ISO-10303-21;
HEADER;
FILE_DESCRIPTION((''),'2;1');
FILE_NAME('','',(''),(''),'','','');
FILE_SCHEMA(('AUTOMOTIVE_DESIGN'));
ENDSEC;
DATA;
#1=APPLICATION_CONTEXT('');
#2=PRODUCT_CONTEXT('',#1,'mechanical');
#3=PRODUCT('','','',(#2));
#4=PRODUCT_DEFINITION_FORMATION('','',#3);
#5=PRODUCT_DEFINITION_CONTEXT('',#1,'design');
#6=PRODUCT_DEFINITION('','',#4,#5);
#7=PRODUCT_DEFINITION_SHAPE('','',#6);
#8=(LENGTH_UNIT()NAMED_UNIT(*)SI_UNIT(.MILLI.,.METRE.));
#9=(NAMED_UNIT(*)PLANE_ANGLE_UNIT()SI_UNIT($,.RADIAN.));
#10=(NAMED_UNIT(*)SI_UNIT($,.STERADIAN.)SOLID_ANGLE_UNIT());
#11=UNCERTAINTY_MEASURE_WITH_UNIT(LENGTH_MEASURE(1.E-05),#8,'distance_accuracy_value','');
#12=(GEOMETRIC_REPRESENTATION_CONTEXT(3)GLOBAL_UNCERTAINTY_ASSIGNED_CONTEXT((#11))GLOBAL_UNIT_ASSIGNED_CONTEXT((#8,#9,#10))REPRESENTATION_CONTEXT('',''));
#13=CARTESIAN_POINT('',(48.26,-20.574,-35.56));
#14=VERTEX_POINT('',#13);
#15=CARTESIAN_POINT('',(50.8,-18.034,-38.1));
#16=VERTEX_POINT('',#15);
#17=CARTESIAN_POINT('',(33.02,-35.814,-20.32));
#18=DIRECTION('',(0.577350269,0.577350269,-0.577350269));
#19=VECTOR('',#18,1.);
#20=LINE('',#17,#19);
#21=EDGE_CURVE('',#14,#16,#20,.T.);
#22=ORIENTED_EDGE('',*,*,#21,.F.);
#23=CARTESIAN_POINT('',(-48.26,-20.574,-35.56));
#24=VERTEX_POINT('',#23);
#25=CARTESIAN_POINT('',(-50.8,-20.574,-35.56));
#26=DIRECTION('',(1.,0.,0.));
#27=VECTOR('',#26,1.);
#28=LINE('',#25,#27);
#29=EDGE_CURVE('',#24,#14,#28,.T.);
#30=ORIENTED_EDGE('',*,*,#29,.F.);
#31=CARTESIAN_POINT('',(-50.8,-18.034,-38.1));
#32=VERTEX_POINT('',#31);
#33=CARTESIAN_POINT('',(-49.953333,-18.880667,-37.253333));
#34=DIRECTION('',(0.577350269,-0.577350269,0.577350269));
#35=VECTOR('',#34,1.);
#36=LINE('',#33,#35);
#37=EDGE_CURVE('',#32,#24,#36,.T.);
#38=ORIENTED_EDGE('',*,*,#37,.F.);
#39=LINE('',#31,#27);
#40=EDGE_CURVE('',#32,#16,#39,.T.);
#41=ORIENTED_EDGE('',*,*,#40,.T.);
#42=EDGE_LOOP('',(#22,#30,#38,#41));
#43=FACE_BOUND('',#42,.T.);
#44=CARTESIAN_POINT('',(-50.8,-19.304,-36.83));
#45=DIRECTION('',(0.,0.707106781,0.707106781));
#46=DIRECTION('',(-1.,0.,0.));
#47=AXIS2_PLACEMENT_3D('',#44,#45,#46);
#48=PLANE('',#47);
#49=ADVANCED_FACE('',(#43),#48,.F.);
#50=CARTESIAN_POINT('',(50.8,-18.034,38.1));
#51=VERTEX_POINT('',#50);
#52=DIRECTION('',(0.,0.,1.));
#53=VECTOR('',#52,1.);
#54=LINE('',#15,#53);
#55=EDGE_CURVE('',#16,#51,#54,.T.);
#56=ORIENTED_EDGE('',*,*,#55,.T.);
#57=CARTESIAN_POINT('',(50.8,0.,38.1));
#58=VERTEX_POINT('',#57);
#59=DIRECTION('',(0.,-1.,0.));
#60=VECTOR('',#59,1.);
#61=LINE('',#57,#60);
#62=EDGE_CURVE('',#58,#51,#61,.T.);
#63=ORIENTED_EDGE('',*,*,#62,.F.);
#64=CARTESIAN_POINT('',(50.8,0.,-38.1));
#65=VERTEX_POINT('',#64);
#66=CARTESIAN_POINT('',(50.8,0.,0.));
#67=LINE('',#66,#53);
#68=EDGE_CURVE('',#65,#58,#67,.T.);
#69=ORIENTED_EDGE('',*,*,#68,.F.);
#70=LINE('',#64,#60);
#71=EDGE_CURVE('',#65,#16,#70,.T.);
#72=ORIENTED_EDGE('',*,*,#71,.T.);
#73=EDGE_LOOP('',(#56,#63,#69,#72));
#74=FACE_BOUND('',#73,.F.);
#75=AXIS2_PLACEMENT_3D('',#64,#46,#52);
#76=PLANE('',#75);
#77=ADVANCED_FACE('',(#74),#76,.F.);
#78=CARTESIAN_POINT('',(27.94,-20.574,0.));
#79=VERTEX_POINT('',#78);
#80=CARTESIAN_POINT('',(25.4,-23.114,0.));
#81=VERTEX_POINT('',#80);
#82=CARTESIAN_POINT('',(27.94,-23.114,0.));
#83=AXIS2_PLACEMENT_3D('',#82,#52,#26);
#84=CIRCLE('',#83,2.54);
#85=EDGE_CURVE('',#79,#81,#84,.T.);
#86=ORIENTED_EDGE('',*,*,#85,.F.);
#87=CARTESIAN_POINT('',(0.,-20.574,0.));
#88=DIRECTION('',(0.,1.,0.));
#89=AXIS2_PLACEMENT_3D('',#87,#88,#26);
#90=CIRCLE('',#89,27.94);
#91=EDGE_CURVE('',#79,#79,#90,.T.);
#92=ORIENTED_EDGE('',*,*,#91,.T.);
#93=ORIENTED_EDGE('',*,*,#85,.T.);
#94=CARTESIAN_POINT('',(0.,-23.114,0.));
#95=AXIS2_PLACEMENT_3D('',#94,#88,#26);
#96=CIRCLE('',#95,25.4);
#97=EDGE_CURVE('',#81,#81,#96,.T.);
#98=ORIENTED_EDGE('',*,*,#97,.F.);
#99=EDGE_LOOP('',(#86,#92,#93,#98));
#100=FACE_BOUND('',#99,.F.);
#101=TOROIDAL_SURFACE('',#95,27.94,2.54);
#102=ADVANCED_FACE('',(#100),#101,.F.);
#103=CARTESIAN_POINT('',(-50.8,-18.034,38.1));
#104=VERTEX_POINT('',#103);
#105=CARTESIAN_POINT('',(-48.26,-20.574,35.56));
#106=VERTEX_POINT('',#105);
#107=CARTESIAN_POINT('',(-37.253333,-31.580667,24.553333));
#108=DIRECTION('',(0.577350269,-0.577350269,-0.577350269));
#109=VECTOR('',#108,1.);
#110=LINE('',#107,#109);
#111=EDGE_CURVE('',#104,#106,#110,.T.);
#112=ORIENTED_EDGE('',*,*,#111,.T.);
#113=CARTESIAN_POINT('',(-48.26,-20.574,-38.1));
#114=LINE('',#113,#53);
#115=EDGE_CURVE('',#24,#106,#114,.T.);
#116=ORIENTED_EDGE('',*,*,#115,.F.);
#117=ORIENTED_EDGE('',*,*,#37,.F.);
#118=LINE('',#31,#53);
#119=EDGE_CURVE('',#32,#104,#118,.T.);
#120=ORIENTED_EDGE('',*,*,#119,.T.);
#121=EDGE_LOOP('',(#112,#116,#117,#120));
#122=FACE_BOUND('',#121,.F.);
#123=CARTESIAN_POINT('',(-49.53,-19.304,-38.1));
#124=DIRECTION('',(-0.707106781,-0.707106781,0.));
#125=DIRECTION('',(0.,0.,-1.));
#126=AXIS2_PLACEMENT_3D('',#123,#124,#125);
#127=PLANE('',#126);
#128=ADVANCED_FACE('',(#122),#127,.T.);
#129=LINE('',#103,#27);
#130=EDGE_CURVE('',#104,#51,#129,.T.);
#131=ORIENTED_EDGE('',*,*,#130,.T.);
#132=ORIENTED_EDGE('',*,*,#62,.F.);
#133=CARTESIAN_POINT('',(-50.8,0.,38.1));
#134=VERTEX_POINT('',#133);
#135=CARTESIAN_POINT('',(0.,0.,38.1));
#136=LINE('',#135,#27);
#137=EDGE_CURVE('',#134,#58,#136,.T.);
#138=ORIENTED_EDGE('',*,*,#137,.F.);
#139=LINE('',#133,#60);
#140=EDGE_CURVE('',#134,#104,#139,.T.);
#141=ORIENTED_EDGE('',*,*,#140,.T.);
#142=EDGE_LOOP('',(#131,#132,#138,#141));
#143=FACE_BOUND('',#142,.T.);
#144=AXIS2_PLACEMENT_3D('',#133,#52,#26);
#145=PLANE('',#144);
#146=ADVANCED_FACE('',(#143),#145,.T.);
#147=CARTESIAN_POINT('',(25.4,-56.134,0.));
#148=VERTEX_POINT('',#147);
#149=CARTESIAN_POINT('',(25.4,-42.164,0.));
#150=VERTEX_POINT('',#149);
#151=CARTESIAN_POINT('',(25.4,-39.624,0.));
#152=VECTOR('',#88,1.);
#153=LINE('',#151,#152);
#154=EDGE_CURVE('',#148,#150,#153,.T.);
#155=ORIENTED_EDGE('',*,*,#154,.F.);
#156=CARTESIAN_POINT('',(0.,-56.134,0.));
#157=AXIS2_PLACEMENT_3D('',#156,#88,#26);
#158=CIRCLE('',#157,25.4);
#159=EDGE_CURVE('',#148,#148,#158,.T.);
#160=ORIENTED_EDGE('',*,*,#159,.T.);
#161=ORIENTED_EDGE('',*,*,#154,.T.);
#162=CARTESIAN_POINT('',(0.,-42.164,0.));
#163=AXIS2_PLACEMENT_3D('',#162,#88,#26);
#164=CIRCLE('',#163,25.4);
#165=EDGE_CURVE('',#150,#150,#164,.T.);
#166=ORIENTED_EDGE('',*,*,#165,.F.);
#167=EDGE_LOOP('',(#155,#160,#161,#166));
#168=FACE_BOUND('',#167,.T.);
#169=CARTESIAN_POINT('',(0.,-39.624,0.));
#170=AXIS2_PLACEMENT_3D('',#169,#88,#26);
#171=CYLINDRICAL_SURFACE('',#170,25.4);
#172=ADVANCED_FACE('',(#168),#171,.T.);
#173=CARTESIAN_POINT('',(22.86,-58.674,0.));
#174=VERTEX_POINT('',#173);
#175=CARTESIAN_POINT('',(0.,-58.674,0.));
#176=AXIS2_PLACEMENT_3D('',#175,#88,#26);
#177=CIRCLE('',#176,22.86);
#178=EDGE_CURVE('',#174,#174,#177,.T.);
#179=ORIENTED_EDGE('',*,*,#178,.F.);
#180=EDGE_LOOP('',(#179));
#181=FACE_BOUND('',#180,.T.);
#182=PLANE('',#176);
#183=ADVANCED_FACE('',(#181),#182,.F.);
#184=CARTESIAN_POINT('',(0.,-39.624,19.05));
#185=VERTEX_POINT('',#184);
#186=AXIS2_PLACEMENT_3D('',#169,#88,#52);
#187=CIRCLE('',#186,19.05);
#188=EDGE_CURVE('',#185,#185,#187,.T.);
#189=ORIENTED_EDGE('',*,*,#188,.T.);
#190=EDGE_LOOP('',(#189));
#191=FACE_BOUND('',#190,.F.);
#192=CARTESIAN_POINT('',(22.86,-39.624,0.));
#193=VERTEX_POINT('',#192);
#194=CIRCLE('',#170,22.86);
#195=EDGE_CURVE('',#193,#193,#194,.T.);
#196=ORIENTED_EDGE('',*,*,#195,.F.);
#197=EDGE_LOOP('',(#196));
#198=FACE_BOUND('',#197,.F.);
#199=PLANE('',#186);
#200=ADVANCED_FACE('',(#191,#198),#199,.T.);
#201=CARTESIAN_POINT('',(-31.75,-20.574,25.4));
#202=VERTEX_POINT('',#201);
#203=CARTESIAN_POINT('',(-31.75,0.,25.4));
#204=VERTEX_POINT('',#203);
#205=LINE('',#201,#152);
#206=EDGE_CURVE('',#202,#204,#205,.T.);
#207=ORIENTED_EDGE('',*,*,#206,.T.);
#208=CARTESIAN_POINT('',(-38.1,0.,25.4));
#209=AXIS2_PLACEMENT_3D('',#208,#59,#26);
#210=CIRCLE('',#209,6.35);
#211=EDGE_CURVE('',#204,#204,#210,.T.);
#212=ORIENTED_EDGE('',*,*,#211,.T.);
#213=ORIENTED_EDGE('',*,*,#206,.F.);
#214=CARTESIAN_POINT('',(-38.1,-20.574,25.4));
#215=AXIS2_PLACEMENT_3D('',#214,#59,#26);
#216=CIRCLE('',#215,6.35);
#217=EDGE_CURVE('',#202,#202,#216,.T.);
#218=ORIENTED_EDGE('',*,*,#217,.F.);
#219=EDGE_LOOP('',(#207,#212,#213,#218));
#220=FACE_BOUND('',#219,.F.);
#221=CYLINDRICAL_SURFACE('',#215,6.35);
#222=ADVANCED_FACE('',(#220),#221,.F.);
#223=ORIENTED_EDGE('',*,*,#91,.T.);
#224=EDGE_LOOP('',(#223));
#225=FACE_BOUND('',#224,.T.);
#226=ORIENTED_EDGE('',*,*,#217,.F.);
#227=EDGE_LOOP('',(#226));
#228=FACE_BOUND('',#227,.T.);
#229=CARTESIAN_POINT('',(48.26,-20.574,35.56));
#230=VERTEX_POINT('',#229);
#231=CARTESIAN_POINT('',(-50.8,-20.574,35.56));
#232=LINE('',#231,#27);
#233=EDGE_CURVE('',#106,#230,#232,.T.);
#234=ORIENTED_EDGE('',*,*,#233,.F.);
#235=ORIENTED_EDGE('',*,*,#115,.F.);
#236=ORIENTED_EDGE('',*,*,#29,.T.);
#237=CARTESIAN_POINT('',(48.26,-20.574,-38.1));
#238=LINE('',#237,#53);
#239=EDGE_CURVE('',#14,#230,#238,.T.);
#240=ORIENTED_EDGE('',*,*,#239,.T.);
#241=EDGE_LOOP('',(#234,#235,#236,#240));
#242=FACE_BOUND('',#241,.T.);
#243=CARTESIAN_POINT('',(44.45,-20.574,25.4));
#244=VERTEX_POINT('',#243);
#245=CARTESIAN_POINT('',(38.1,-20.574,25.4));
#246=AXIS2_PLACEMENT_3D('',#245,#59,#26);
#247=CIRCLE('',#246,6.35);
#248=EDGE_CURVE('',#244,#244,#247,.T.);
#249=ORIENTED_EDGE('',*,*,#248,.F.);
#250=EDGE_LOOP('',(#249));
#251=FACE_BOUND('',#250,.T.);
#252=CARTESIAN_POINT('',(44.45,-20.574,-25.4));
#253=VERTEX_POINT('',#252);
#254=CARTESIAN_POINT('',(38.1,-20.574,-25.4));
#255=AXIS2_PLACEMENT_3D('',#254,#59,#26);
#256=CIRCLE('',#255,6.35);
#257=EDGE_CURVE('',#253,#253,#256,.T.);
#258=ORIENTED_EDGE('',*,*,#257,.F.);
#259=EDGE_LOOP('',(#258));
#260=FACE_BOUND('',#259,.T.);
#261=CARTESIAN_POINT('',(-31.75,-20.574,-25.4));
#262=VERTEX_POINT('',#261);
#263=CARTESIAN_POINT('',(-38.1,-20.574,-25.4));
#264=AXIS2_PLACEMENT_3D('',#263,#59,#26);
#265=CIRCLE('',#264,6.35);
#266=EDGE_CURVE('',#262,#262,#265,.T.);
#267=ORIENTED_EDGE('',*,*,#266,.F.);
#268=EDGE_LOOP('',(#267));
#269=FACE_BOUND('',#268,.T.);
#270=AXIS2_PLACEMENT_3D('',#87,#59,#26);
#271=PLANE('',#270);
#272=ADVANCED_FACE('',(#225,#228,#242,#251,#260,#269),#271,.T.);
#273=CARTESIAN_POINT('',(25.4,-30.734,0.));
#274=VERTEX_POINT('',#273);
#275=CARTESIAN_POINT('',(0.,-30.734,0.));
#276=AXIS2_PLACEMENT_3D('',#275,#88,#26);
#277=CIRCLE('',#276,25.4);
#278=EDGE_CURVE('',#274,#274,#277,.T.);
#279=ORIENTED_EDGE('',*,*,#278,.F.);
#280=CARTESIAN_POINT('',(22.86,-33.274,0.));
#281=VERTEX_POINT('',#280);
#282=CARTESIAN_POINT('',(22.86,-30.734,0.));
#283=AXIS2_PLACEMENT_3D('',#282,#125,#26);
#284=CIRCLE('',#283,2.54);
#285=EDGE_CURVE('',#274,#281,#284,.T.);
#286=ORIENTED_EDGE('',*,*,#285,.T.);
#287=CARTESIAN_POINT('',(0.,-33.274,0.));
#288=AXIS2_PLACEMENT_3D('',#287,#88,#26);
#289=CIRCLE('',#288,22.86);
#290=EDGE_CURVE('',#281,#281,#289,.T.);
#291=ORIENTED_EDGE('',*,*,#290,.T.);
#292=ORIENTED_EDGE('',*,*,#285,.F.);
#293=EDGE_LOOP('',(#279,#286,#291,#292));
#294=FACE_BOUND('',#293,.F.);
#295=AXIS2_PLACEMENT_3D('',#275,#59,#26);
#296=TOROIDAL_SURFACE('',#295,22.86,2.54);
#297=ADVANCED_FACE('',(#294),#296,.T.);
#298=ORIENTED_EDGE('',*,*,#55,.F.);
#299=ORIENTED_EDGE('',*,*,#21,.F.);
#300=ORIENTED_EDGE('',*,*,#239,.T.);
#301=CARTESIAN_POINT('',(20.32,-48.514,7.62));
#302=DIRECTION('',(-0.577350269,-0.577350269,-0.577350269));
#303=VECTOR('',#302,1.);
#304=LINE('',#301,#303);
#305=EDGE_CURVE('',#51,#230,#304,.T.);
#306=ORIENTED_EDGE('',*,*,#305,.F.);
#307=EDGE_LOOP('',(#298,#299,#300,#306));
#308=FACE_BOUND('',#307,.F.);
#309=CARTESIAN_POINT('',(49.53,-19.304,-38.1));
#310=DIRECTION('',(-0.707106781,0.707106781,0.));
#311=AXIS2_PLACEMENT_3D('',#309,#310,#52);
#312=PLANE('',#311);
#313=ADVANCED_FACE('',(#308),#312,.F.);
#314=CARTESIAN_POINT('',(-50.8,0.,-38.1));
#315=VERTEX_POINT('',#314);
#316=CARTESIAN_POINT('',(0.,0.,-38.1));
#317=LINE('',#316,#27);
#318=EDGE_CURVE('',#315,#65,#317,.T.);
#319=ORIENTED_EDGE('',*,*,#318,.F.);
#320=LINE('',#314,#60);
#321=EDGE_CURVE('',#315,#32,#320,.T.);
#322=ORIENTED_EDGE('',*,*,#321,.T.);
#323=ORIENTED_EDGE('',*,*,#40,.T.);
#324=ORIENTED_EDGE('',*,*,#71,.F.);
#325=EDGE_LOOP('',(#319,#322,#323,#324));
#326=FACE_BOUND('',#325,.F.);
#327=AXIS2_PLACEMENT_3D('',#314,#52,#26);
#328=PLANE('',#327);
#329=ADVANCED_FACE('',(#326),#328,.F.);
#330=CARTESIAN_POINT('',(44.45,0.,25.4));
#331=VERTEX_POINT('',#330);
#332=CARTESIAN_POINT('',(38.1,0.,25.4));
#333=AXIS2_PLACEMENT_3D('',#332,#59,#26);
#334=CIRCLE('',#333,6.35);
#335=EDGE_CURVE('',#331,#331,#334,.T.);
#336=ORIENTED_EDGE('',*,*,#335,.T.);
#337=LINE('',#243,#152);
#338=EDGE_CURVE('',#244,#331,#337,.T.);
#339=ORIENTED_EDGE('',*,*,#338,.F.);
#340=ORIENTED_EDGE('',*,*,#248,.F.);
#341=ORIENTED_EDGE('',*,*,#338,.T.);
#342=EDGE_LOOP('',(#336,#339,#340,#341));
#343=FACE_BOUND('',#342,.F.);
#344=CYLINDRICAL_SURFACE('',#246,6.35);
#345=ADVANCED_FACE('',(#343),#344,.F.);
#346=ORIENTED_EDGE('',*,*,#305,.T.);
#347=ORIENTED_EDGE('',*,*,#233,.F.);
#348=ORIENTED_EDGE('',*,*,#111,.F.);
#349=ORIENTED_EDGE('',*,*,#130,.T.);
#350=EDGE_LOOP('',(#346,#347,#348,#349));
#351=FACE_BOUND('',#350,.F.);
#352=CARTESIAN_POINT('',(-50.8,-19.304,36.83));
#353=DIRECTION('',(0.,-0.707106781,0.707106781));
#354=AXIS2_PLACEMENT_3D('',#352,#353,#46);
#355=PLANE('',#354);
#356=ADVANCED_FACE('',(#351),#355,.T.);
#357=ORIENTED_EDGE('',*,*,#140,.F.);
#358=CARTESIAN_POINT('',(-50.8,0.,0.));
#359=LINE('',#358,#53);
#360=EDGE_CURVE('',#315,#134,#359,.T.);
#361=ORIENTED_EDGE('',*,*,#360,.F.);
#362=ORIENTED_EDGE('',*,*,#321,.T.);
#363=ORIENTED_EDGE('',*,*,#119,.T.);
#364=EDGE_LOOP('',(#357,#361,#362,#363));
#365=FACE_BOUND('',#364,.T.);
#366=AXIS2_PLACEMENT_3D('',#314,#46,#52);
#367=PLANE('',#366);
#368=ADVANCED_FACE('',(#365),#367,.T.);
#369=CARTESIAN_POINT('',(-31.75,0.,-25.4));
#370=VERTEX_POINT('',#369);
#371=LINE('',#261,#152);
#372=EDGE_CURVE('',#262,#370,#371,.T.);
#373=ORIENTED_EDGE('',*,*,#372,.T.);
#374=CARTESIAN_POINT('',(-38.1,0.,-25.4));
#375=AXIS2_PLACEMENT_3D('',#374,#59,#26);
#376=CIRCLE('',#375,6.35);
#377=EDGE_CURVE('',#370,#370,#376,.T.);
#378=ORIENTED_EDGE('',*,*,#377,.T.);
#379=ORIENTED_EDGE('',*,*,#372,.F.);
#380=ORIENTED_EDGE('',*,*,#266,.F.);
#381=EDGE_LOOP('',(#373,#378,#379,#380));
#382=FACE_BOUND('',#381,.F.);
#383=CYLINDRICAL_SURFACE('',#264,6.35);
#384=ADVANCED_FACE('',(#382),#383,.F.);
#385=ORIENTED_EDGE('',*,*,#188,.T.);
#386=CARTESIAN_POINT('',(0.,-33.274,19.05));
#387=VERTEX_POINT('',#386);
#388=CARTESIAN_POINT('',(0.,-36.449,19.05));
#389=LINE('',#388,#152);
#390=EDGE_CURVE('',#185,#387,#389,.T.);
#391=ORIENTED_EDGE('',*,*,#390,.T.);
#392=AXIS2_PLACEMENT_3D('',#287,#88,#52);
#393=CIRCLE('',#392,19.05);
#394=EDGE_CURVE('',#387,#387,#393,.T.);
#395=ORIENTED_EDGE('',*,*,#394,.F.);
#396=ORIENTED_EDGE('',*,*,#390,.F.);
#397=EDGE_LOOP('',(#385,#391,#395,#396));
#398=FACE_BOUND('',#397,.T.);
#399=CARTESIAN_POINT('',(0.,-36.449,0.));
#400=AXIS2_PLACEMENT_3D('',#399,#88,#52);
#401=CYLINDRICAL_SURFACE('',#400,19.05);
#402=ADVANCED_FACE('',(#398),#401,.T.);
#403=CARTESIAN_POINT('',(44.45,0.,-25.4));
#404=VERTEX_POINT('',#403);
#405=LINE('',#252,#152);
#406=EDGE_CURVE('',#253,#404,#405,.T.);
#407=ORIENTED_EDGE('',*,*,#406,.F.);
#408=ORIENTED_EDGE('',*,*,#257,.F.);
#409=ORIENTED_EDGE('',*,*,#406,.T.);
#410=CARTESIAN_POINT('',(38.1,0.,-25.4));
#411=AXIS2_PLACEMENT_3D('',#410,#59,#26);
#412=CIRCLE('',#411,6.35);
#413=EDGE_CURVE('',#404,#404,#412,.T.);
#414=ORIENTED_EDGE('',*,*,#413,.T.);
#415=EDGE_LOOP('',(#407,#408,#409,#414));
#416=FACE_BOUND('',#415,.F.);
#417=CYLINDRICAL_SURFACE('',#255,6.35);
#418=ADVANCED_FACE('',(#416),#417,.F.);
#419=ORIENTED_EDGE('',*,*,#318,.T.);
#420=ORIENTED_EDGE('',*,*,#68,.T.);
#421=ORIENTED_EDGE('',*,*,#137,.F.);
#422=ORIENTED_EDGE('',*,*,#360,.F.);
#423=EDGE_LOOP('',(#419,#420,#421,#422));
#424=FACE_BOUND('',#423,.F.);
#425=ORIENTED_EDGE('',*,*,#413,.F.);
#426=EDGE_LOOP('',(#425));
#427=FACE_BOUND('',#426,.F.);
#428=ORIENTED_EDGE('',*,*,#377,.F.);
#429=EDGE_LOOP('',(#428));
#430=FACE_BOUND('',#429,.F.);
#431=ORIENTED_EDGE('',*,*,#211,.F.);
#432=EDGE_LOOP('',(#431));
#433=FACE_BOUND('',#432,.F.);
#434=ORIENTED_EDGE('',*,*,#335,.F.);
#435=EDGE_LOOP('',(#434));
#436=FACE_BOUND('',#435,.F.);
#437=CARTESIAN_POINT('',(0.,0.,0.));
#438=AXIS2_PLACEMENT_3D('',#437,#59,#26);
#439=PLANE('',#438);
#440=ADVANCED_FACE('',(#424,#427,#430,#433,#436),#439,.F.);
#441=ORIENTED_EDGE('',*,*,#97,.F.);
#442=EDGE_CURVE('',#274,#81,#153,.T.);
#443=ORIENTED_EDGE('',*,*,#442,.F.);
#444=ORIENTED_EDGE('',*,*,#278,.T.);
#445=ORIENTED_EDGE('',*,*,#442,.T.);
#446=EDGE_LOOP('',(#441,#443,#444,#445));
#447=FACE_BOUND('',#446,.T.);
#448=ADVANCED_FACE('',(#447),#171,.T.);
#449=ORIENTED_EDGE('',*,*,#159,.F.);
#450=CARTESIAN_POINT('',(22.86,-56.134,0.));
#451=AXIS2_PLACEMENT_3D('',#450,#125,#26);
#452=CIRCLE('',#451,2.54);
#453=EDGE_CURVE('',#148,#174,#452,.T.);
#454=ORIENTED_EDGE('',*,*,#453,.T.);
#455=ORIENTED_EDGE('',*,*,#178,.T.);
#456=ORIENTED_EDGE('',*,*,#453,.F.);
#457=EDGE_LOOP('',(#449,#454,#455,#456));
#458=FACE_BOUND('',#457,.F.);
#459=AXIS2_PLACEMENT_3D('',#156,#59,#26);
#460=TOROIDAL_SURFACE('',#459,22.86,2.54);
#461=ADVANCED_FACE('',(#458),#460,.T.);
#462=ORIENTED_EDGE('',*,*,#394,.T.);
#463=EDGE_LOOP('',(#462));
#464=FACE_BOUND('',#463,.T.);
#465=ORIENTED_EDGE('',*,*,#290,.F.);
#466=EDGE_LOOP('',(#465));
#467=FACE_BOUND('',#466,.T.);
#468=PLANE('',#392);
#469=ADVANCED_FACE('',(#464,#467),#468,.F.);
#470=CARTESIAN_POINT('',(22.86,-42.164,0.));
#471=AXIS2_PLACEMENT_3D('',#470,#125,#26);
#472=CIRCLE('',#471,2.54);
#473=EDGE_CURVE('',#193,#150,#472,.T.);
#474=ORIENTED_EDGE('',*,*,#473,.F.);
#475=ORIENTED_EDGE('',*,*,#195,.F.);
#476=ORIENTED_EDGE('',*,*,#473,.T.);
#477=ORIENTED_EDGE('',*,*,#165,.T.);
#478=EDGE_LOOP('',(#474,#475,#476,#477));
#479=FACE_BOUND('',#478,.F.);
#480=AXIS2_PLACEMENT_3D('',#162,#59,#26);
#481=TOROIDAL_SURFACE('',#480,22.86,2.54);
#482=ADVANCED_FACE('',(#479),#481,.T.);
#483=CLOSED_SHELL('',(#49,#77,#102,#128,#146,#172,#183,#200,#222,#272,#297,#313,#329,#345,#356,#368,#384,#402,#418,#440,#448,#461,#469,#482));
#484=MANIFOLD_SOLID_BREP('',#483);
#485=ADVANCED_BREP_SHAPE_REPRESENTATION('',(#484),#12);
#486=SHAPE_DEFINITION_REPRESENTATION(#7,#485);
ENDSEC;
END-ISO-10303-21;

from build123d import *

# Parameters (mm, degrees)
F0_W     = 101.6
F0_H     = 76.2
F1_DEPTH = 20.574
F2_R     = 6.35
F3_DEPTH = 25.4
F4_W     = 25.4
F4_H     = 38.1
F6_W     = 6.35
F6_H     = 14.2712268918
F8_SIZE  = 2.54
F9_R     = 2.54
F10_R    = 2.54


with BuildPart() as f1:
    # F0 (on Front) → F1 (new body)
    with BuildSketch(Plane.XZ):
        Rectangle(F0_W, F0_H)
    extrude(amount=F1_DEPTH)

    # F2 (on face) → F3 (cut)
    with BuildSketch(Plane.XZ.offset(20.574)):
        with Locations((38.1, -25.4)):
            Circle(F2_R)
        with Locations((-38.1, -25.4)):
            Circle(F2_R)
        with Locations((-38.1, 25.4)):
            Circle(F2_R)
        with Locations((38.1, 25.4)):
            Circle(F2_R)
    extrude(amount=-F3_DEPTH, mode=Mode.SUBTRACT)

    # F4 (on Top) → F5 (revolve)
    with BuildSketch(Plane.XY):
        with Locations((12.7, -39.624)):
            Rectangle(F4_W, F4_H)
    revolve(axis=Axis((0, -39.624, 0), (0, 1, 0)))

    # F6 (on Right) → F7 (revolve, cut)
    with BuildSketch(Plane.YZ):
        with Locations((-36.449, 26.1856134459)):
            Rectangle(F6_W, F6_H)
    revolve(axis=Axis((0, -58.674, 0), (0, 1, 0)), mode=Mode.SUBTRACT)

    # F8
    f8_edges = [f1.edges().sort_by_distance(p)[0] for p in [
        (0, -20.574, 38.1),
        (50.8, -20.574, 0),
        (0, -20.574, -38.1),
        (-50.8, -20.574, 0),
    ]]
    chamfer(f8_edges, length=F8_SIZE)

    # F9
    f9_edges = [f1.edges().sort_by_distance(p)[0] for p in [
        (-25.4, -20.574, 0),
        (-25.4, -33.274, 0),
        (-25.4, -39.624, 0),
    ]]
    fillet(f9_edges, radius=F9_R)

    # F10
    f10_edges = [f1.edges().sort_by_distance(p)[0] for p in [
        (-25.4, -58.674, 0),
    ]]
    fillet(f10_edges, radius=F10_R)


solid = f1.part
